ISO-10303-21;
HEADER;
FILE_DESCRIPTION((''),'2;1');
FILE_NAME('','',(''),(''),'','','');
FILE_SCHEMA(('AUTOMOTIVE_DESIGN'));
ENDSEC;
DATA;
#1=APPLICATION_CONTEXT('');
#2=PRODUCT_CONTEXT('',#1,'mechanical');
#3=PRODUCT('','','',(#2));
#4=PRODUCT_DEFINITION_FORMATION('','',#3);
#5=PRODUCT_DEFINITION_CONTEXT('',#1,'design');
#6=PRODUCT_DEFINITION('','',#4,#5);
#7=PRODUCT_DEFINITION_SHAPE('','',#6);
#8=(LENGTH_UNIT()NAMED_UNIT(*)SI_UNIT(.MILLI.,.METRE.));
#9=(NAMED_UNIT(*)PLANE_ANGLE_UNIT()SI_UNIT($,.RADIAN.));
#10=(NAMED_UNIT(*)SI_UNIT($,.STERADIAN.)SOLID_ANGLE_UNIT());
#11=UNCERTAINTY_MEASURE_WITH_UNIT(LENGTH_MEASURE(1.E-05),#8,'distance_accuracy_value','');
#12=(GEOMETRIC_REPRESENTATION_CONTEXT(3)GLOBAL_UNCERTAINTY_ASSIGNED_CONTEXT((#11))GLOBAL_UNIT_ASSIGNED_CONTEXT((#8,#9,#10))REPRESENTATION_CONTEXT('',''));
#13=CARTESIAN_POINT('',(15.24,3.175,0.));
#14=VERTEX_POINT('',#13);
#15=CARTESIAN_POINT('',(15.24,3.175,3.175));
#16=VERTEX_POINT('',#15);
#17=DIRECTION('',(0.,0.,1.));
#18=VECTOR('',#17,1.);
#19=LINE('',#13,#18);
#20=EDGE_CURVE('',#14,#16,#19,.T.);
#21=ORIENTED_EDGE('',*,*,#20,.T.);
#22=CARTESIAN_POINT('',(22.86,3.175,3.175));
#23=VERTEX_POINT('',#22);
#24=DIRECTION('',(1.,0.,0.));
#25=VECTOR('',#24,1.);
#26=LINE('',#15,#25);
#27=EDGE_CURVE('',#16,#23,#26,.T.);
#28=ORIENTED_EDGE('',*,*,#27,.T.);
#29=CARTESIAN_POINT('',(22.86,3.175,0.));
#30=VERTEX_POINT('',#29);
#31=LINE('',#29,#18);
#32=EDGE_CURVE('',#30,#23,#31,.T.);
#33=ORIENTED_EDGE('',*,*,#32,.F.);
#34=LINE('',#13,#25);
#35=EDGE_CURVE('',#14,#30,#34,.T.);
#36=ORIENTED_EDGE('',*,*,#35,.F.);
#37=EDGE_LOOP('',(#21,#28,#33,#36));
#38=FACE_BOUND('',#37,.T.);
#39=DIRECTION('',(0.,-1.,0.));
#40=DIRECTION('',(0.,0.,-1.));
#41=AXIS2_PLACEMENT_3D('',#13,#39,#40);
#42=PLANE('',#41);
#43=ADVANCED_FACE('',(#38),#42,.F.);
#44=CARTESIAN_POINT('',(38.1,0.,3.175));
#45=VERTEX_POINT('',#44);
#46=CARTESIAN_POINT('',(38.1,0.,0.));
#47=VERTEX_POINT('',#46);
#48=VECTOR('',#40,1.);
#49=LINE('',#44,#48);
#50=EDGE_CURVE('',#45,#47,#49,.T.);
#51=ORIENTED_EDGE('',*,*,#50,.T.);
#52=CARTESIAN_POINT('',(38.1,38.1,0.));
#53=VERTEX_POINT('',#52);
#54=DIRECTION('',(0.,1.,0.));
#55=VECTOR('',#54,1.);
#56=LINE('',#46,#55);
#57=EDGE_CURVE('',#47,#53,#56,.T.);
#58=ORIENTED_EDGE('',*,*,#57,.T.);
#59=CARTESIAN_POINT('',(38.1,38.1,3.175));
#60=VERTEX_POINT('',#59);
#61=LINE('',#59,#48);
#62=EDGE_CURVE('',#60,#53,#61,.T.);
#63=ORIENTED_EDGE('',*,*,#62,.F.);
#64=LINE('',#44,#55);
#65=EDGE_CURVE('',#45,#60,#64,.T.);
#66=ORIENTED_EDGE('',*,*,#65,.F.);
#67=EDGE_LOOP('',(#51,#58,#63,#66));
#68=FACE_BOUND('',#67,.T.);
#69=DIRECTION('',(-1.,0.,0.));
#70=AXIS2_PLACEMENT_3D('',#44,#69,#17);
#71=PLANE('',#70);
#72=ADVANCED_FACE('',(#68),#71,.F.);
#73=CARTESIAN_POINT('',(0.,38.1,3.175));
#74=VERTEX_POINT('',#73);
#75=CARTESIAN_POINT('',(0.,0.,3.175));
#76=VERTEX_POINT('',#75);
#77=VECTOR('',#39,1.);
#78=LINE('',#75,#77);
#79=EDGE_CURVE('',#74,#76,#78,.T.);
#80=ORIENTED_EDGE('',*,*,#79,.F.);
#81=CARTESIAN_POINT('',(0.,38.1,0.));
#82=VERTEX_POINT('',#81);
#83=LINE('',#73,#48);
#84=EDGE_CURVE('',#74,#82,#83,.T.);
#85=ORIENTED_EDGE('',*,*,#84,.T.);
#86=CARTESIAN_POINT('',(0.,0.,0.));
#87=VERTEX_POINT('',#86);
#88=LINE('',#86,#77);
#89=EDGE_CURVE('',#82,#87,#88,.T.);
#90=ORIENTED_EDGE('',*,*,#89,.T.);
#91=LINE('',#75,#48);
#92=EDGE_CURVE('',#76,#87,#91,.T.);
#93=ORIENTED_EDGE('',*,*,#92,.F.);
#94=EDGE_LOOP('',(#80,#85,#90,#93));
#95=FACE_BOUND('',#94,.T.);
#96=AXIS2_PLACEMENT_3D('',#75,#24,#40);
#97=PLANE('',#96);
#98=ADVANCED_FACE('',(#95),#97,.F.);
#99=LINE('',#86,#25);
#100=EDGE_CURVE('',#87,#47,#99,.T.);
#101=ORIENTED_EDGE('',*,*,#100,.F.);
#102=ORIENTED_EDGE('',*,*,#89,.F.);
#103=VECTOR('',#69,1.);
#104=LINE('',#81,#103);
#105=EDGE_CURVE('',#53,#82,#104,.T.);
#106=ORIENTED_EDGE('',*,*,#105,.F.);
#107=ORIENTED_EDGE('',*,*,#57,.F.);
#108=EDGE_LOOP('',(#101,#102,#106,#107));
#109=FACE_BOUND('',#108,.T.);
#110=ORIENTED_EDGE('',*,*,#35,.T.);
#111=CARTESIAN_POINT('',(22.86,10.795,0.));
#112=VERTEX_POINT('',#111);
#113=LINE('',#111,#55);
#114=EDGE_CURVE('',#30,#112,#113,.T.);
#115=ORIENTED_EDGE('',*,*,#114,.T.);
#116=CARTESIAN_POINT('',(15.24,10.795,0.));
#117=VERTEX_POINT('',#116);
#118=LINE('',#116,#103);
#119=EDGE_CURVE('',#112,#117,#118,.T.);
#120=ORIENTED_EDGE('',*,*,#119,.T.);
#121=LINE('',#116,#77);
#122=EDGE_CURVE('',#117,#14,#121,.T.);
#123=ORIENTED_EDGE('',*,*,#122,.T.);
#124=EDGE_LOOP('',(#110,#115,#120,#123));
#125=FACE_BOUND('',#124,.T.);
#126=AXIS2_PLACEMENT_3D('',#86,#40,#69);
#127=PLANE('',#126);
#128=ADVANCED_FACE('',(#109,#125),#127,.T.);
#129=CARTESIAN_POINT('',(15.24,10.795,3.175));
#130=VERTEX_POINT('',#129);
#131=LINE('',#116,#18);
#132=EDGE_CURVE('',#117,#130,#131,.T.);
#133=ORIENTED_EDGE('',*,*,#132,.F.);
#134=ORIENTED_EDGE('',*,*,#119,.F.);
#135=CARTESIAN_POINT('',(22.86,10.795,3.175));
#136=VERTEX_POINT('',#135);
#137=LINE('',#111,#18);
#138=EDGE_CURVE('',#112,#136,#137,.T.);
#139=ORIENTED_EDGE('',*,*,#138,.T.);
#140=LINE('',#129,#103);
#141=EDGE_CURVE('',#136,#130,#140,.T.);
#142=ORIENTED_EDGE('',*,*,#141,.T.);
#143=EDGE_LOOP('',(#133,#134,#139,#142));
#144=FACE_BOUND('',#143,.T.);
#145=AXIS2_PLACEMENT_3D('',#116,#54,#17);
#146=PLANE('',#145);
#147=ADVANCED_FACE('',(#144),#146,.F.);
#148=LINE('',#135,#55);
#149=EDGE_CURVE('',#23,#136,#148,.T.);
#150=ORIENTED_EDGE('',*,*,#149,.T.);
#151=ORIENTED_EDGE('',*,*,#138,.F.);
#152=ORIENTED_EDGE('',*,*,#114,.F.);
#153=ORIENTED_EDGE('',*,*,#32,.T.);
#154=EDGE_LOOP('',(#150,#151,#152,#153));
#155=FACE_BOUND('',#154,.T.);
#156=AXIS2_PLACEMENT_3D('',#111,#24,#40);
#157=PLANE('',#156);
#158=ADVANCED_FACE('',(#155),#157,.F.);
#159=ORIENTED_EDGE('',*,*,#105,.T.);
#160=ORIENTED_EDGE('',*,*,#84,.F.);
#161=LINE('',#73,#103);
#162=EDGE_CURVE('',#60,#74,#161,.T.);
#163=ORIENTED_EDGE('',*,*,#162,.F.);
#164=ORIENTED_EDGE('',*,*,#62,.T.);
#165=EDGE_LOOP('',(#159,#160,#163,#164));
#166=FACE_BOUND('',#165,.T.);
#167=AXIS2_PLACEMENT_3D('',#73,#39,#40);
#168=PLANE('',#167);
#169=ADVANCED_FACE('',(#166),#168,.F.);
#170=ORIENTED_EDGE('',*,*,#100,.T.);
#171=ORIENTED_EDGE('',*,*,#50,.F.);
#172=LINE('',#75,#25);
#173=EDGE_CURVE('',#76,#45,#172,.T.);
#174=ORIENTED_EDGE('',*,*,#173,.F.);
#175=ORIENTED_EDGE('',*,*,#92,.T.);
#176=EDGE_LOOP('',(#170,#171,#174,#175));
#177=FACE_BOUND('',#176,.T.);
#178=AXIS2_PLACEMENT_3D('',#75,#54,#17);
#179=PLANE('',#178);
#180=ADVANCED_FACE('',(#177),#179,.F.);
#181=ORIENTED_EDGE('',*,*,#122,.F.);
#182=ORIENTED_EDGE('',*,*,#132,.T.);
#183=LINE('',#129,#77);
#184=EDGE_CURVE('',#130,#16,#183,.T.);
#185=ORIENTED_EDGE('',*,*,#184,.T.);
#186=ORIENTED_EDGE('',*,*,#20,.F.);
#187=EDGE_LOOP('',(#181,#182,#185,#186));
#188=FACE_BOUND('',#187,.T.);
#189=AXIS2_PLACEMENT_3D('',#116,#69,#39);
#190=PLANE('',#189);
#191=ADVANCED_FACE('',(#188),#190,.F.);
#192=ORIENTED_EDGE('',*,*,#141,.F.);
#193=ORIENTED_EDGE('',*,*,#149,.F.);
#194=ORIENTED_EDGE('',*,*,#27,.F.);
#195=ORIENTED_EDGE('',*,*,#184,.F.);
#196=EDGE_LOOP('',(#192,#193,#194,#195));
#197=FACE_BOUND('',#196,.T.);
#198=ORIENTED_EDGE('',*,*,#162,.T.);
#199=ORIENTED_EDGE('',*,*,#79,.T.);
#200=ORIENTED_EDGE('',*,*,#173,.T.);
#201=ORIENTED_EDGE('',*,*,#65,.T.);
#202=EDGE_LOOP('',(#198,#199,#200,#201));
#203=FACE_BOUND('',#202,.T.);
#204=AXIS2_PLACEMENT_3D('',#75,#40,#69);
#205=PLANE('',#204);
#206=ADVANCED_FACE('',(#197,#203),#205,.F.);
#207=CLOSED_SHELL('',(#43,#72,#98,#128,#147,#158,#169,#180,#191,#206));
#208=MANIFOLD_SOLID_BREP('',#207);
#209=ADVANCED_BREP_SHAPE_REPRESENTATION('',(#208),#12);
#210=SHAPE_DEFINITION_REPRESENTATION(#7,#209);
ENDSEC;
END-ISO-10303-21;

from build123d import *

# Parameters (mm, degrees)
SKETCH2_W           = 38.1
SKETCH2_H           = 38.1
BOSS_EXTRUDE1_DEPTH = 3.175
SKETCH8_W           = 7.62
SKETCH8_H           = 7.62
CUT_EXTRUDE2_DEPTH  = 54.975


with BuildPart() as part:
    # Sketch2 → Boss-Extrude1 (new body)
    with BuildSketch(Plane.XY):
        with Locations((19.05, 19.05)):
            Rectangle(SKETCH2_W, SKETCH2_H)
    extrude(amount=BOSS_EXTRUDE1_DEPTH)

    # Sketch8 → Cut-Extrude2 (cut, through all)
    with BuildSketch(Plane.XY.offset(3.175)):
        with Locations((19.05, 6.985)):
            Rectangle(SKETCH8_W, SKETCH8_H)
    extrude(amount=-CUT_EXTRUDE2_DEPTH, mode=Mode.SUBTRACT)


solid = part.part
